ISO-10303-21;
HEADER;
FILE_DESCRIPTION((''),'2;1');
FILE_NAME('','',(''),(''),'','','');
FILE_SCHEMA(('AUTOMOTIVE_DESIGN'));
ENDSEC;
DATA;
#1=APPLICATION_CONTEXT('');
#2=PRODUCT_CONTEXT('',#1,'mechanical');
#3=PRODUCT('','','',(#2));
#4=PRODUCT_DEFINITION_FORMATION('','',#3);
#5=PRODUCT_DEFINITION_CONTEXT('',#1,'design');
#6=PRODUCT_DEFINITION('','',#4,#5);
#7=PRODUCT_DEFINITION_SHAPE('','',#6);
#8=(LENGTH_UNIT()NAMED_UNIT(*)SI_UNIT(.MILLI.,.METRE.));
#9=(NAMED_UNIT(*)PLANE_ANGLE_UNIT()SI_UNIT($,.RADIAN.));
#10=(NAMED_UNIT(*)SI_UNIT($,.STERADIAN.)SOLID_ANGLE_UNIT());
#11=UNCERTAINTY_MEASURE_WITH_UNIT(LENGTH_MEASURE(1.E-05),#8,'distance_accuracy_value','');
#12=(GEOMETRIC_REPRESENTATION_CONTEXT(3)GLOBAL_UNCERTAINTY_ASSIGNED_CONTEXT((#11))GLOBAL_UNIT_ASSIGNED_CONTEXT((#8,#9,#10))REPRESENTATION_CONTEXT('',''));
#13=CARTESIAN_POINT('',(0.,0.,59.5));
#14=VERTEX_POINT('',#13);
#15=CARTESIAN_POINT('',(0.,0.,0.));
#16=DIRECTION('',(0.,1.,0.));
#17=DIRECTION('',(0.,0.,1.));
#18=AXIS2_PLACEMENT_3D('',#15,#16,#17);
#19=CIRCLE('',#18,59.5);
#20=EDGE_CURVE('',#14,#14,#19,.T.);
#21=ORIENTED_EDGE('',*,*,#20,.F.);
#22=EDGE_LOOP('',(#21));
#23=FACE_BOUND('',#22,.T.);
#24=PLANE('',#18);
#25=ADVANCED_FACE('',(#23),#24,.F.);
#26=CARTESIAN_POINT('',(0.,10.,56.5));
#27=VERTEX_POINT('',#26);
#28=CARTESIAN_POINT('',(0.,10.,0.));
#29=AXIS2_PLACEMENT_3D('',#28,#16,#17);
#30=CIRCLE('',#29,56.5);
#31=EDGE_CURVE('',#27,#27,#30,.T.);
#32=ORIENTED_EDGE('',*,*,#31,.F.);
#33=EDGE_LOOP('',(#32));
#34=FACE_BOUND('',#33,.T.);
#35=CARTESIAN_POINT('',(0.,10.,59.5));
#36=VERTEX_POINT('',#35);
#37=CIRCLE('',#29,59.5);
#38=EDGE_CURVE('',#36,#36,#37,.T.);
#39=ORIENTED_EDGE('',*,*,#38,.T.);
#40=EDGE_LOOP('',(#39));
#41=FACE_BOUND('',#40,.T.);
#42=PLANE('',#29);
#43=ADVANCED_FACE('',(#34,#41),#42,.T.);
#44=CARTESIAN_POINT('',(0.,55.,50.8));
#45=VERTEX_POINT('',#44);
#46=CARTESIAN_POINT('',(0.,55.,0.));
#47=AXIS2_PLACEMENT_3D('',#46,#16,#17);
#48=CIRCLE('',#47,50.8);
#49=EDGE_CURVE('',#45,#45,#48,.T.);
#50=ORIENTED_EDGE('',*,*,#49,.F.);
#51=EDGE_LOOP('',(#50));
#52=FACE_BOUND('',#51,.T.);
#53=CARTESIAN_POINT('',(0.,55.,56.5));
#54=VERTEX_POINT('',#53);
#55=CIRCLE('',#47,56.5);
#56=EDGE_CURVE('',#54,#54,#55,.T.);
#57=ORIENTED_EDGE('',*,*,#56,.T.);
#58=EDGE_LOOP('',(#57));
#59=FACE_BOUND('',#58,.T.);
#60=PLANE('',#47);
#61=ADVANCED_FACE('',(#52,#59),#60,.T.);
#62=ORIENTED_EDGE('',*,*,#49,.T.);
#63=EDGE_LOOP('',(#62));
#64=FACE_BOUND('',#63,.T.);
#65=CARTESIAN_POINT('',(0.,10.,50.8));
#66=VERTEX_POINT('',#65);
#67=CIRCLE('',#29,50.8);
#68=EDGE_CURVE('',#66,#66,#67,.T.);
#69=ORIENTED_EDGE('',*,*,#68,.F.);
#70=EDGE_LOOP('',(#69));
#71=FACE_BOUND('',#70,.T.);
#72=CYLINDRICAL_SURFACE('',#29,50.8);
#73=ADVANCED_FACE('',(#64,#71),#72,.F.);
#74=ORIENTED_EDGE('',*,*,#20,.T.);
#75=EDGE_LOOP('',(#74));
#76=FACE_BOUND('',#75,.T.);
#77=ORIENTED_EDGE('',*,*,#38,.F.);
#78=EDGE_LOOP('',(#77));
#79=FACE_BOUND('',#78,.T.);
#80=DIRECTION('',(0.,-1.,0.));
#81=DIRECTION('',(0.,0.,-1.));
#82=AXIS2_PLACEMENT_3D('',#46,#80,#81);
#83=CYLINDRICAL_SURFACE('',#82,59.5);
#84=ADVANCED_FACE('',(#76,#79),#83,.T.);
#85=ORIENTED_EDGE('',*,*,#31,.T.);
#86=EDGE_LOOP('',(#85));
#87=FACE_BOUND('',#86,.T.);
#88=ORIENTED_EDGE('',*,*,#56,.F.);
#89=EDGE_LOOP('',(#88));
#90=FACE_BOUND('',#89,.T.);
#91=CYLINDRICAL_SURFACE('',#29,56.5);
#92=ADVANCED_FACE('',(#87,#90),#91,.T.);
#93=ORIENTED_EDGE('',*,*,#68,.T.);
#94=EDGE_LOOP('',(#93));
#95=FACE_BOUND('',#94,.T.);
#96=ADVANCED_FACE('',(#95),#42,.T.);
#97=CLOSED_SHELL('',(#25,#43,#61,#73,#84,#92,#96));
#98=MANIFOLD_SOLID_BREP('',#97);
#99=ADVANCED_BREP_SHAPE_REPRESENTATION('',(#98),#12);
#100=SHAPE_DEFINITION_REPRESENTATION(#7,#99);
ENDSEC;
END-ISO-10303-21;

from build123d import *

# Parameters (mm, degrees)
ESBO_O1_R                = 59.5
RESSALTO_EXTRUS_O1_DEPTH = 55
ESBO_O2_R                = 50.8
CORTE_EXTRUS_O1_DEPTH    = 45
ESBO_O3_R                = 59.5
ESBO_O3_R_2              = 56.5
CORTE_EXTRUS_O2_DEPTH    = 45


with BuildPart() as part:
    # Esboço1 → Ressalto-extrusão1 (new body)
    with BuildSketch(Plane(origin=(0, 0, 0), x_dir=(1, 0, 0), z_dir=(0, 1, 0))):
        Circle(ESBO_O1_R)
    extrude(amount=RESSALTO_EXTRUS_O1_DEPTH)

    # Esboço2 → Corte-extrusão1 (cut)
    with BuildSketch(Plane(origin=(0, 55, 0), x_dir=(1, 0, 0), z_dir=(0, 1, 0))):
        Circle(ESBO_O2_R)
    extrude(amount=-CORTE_EXTRUS_O1_DEPTH, mode=Mode.SUBTRACT)

    # Esboço3 → Corte-extrusão2 (cut)
    with BuildSketch(Plane(origin=(0, 55, 0), x_dir=(1, 0, 0), z_dir=(0, 1, 0))):
        Circle(ESBO_O3_R)
        Circle(ESBO_O3_R_2, mode=Mode.SUBTRACT)
    extrude(amount=-CORTE_EXTRUS_O2_DEPTH, mode=Mode.SUBTRACT)


solid = part.part
